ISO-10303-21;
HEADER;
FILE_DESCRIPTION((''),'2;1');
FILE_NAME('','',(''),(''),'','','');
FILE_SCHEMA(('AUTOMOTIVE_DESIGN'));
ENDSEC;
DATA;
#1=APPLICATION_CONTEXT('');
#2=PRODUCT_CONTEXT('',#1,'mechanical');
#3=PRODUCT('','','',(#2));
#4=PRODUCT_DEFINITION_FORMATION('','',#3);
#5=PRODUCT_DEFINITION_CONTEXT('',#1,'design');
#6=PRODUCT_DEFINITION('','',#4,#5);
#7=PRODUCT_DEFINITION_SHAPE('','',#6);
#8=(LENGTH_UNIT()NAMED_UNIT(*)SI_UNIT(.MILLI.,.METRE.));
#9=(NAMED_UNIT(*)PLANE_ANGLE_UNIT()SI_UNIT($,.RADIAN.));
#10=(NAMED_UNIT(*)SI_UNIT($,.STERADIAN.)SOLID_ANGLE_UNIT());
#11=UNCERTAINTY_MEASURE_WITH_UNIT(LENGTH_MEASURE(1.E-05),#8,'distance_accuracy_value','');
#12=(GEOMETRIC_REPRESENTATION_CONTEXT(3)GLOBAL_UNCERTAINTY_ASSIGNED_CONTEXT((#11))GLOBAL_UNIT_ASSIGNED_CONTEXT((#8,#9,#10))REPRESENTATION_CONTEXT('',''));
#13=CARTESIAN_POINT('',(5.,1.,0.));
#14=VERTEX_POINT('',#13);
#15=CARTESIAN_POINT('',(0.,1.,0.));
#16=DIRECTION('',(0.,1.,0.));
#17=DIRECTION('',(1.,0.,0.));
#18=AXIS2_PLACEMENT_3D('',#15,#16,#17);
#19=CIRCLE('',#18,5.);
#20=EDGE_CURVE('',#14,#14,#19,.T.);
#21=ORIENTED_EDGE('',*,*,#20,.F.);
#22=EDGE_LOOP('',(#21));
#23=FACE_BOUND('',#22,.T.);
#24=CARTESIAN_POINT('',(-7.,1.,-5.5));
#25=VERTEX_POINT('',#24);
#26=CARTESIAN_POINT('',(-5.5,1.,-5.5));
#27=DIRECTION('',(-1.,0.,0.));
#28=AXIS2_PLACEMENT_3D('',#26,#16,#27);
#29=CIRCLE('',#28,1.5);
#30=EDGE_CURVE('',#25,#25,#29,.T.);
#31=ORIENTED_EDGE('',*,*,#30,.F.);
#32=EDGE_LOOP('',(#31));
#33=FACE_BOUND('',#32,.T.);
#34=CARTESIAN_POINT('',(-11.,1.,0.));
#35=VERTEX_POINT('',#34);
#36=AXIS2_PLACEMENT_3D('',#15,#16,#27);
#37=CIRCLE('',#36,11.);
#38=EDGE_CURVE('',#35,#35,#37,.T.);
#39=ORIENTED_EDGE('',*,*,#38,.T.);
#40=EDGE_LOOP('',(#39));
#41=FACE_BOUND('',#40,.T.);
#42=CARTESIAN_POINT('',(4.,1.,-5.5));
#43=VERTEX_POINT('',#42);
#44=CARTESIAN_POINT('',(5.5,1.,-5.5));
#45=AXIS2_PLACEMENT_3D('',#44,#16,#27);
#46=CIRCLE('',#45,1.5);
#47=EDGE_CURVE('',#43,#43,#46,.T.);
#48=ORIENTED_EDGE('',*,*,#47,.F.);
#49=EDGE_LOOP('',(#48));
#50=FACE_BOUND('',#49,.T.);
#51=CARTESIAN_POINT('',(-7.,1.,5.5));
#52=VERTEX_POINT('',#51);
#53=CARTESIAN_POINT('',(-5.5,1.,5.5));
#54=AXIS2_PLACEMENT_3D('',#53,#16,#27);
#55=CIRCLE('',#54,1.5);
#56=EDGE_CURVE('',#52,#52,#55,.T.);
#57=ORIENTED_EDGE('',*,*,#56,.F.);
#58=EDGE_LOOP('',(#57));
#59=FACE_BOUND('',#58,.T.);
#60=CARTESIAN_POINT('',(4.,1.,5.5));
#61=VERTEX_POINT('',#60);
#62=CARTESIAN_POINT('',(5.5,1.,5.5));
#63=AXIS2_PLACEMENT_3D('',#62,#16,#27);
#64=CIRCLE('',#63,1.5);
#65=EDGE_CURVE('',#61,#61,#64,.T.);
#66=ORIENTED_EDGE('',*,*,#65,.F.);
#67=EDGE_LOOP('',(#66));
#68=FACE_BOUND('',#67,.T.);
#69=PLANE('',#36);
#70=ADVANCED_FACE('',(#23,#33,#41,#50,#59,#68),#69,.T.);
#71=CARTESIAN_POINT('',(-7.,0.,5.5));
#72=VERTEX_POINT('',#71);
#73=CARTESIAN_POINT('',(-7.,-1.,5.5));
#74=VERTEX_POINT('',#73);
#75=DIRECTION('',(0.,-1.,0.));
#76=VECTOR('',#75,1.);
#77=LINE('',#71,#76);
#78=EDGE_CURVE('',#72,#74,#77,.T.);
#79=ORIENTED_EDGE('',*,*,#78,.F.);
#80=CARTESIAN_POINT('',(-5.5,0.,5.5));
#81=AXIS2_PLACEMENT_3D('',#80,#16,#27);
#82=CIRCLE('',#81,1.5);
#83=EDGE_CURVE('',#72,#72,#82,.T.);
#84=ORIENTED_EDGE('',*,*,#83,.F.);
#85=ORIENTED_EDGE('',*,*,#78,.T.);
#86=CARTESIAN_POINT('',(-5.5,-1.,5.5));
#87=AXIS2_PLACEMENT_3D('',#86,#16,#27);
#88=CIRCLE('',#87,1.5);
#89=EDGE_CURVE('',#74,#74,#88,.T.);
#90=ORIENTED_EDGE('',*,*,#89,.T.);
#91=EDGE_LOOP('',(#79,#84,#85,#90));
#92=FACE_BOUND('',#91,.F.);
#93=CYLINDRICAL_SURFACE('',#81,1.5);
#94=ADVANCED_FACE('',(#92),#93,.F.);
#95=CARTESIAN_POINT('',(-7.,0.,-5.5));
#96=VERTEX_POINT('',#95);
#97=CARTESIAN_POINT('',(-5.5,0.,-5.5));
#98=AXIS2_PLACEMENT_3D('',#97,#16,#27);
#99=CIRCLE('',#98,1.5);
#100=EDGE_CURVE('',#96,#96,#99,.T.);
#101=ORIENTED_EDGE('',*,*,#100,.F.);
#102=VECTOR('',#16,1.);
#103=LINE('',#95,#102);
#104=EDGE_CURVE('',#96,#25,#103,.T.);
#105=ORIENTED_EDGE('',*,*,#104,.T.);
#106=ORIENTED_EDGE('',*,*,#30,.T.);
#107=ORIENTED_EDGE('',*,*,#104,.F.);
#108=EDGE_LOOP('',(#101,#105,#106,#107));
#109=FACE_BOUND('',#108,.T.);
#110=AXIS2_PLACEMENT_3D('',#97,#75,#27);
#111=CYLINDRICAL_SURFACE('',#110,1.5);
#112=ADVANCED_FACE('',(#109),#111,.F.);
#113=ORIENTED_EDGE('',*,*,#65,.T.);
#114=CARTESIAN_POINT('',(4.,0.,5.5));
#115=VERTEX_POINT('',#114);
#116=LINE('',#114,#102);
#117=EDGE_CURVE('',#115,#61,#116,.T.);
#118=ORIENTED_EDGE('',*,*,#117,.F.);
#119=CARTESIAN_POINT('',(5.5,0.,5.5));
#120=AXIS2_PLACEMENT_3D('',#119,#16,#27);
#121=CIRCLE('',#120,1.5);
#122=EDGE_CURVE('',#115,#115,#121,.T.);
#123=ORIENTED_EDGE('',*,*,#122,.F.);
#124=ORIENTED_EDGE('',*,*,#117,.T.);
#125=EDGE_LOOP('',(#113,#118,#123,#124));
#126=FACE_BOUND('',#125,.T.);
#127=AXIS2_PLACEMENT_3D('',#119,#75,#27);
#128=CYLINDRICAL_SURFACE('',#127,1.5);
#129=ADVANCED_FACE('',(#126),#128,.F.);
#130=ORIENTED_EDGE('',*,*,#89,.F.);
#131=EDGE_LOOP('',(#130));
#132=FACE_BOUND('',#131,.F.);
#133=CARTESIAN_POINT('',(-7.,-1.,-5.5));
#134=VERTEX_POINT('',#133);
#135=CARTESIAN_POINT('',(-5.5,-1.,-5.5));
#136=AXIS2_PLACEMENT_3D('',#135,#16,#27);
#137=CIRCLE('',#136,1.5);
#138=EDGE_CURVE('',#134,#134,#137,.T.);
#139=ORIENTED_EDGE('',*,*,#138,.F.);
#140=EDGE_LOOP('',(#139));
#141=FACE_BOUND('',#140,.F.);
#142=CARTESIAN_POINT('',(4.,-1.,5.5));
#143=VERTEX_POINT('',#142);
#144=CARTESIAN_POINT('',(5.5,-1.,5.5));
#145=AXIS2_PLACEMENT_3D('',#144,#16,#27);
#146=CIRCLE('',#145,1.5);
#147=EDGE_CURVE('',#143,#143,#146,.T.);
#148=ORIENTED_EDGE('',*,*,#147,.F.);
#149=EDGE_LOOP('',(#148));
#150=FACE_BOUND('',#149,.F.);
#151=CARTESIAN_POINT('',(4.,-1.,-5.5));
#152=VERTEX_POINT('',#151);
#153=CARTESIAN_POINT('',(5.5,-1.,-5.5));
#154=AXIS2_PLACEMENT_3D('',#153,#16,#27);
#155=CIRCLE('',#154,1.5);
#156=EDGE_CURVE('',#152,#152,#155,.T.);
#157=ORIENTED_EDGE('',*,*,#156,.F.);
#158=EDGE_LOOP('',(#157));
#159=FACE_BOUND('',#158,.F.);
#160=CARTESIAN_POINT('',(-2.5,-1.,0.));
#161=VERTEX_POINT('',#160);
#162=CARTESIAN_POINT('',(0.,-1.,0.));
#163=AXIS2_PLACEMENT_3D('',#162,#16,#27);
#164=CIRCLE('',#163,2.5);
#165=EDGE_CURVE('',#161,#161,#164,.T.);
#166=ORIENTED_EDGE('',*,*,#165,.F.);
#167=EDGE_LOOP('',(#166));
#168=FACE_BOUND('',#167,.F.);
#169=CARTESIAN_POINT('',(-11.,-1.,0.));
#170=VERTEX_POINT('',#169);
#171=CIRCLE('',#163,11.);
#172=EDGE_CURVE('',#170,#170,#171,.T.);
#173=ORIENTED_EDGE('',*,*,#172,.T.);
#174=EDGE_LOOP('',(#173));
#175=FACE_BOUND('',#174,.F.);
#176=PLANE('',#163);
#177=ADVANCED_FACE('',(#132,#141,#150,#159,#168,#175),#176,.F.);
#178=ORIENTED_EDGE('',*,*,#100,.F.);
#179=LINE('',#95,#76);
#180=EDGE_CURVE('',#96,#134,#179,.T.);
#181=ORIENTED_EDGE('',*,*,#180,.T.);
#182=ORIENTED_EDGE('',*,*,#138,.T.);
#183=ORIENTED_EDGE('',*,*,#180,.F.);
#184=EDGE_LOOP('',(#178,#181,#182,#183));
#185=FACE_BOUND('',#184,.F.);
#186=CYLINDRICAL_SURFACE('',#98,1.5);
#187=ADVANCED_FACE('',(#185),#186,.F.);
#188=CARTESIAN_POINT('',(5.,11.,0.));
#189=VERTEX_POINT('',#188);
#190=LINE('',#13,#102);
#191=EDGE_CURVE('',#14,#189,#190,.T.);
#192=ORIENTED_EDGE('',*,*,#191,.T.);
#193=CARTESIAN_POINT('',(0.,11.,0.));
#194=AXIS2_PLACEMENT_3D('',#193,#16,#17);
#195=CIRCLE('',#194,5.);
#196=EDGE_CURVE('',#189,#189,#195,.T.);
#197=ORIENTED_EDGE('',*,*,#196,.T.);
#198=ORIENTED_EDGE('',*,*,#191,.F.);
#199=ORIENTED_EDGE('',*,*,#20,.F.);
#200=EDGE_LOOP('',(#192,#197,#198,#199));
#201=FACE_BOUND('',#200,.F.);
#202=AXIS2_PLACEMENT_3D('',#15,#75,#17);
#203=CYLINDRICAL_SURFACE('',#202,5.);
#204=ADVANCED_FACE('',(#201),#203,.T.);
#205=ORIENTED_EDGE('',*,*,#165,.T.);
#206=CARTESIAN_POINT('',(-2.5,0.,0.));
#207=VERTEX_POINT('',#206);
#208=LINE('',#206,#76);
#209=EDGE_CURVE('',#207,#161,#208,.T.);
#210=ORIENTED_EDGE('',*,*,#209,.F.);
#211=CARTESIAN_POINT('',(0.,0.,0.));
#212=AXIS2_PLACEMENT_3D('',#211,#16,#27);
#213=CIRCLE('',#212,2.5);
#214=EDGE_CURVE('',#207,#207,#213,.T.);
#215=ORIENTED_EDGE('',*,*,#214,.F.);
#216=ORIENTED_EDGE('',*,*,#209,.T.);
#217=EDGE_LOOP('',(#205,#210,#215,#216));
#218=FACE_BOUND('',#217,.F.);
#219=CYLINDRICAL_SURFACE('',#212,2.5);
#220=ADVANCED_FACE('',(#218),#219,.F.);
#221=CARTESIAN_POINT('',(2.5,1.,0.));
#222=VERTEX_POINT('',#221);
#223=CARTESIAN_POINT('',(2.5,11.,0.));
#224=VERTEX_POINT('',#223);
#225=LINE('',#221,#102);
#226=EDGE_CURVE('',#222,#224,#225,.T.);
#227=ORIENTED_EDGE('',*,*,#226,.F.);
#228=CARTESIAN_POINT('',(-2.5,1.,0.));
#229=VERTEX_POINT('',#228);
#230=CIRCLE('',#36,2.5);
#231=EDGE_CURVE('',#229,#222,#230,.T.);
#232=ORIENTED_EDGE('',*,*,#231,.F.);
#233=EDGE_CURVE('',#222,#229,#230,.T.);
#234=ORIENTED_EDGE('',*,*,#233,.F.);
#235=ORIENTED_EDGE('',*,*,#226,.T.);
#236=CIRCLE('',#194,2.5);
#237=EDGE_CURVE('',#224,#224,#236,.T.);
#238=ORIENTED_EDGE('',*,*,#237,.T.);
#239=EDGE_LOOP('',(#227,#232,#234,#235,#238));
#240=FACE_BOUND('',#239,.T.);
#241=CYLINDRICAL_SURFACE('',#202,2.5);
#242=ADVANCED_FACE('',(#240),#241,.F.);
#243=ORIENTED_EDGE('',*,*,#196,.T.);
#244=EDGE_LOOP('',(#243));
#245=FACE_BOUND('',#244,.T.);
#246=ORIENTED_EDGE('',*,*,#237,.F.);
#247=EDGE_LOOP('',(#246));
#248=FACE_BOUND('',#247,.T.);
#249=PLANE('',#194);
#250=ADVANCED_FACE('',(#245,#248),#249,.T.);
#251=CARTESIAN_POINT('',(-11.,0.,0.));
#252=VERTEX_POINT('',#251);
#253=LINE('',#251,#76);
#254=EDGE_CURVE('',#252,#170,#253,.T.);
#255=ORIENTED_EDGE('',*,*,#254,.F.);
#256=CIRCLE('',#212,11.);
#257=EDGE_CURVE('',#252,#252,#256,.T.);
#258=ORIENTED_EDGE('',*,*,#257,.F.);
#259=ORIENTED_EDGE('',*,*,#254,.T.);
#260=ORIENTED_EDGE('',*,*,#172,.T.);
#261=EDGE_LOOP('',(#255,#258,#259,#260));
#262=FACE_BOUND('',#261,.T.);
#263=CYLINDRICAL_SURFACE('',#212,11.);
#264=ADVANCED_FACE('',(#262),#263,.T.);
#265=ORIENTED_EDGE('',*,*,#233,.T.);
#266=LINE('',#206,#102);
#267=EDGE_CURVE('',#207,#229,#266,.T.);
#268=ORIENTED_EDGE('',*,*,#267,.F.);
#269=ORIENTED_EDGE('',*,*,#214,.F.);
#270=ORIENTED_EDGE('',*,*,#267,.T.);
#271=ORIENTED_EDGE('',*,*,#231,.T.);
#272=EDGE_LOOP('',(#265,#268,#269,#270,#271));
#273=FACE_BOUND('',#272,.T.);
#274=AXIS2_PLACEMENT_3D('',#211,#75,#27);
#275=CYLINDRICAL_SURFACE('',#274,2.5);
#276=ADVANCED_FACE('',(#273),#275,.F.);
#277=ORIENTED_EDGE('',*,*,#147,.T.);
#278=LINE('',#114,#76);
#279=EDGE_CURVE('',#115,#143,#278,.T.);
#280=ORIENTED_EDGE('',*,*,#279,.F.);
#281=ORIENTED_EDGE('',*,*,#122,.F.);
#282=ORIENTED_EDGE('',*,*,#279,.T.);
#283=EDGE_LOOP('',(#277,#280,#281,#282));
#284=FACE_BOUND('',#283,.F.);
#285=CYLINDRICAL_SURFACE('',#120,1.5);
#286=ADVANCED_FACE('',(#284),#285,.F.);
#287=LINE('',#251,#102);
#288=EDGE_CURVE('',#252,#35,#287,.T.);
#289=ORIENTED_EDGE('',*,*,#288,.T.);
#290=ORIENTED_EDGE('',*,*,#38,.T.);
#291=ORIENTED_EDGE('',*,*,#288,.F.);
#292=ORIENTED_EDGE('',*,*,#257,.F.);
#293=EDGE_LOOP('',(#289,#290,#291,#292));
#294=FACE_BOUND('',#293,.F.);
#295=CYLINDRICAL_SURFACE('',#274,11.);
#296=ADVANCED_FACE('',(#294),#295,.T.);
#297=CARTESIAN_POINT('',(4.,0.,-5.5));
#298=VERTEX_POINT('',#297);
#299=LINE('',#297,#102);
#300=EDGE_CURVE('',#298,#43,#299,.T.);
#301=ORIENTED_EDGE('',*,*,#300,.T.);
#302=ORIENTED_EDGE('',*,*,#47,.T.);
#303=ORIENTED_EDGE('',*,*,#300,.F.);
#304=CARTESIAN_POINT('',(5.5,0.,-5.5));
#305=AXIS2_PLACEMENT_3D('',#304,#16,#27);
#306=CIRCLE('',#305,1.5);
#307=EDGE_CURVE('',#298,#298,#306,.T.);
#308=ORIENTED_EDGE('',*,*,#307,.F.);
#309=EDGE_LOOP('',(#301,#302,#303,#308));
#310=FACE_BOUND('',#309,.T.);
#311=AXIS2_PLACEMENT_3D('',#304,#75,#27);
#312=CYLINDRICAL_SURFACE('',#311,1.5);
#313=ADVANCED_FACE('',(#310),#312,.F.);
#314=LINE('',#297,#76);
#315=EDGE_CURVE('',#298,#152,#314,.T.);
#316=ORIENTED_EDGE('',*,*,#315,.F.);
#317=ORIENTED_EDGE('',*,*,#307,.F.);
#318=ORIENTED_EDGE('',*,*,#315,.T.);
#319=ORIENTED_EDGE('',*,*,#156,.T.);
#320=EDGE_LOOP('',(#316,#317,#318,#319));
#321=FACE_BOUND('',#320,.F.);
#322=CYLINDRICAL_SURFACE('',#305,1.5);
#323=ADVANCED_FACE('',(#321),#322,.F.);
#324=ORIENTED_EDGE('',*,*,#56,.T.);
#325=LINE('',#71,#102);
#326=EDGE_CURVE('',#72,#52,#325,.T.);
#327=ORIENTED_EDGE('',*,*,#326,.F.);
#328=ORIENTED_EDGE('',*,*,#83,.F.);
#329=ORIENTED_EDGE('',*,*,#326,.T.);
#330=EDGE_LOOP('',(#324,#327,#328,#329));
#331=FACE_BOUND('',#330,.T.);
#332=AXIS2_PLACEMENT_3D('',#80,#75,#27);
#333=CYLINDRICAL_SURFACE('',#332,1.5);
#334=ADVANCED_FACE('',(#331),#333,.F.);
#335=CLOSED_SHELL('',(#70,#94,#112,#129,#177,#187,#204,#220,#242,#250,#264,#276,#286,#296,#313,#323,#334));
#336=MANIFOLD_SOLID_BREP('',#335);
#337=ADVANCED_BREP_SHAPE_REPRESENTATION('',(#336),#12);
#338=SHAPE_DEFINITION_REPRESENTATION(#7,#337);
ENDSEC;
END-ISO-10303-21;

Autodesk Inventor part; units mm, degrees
sketch "Эскиз1" plane through (0, 0, 0) normal (0, 1, 0) x (-1, 0, 0)
  circle A0 centre (0, 0) radius 11
  circle A1 centre (5.5, -5.5) radius 1.5
  circle A2 centre (5.5, 5.5) radius 1.5
  circle A3 centre (-5.5, 5.5) radius 1.5
  circle A4 centre (-5.5, -5.5) radius 1.5
  line L0 (5.5, -5.5) -> (-5.5, -5.5) construction
  line L1 (-5.5, -5.5) -> (-5.5, 5.5) construction
  line L2 (-5.5, 5.5) -> (5.5, 5.5) construction
  line L3 (5.5, 5.5) -> (5.5, -5.5) construction
  line L4 (5.5, -5.5) -> (-5.5, 5.5) construction
  line L5 (-5.5, -5.5) -> (5.5, 5.5) construction
  circle A5 centre (0, 0) radius 2.5
  dimension "d0" = 22
  dimension "d1" = 3
  dimension "d2" = 11
  dimension "d5" = 5
extrude "Выдавливание1" add sketch "Эскиз1" along normal mid plane 2
sketch "Эскиз2" plane through (0, 1, 0) normal (0, 1, 0) x (1, 0, 0)
  circle A0 centre (0, 0) radius 5
  circle A1 centre (0, 0) radius 2.5 projected
  dimension "d6" = 10
extrude "Выдавливание2" add sketch "Эскиз2" along normal blind 10
ref_plane "РабПлоскость1" through (0, 0, 0) normal (0.7071, 0, -0.7071) x (0, 1, 0)
properties part number "Фланцевая_муфта"
